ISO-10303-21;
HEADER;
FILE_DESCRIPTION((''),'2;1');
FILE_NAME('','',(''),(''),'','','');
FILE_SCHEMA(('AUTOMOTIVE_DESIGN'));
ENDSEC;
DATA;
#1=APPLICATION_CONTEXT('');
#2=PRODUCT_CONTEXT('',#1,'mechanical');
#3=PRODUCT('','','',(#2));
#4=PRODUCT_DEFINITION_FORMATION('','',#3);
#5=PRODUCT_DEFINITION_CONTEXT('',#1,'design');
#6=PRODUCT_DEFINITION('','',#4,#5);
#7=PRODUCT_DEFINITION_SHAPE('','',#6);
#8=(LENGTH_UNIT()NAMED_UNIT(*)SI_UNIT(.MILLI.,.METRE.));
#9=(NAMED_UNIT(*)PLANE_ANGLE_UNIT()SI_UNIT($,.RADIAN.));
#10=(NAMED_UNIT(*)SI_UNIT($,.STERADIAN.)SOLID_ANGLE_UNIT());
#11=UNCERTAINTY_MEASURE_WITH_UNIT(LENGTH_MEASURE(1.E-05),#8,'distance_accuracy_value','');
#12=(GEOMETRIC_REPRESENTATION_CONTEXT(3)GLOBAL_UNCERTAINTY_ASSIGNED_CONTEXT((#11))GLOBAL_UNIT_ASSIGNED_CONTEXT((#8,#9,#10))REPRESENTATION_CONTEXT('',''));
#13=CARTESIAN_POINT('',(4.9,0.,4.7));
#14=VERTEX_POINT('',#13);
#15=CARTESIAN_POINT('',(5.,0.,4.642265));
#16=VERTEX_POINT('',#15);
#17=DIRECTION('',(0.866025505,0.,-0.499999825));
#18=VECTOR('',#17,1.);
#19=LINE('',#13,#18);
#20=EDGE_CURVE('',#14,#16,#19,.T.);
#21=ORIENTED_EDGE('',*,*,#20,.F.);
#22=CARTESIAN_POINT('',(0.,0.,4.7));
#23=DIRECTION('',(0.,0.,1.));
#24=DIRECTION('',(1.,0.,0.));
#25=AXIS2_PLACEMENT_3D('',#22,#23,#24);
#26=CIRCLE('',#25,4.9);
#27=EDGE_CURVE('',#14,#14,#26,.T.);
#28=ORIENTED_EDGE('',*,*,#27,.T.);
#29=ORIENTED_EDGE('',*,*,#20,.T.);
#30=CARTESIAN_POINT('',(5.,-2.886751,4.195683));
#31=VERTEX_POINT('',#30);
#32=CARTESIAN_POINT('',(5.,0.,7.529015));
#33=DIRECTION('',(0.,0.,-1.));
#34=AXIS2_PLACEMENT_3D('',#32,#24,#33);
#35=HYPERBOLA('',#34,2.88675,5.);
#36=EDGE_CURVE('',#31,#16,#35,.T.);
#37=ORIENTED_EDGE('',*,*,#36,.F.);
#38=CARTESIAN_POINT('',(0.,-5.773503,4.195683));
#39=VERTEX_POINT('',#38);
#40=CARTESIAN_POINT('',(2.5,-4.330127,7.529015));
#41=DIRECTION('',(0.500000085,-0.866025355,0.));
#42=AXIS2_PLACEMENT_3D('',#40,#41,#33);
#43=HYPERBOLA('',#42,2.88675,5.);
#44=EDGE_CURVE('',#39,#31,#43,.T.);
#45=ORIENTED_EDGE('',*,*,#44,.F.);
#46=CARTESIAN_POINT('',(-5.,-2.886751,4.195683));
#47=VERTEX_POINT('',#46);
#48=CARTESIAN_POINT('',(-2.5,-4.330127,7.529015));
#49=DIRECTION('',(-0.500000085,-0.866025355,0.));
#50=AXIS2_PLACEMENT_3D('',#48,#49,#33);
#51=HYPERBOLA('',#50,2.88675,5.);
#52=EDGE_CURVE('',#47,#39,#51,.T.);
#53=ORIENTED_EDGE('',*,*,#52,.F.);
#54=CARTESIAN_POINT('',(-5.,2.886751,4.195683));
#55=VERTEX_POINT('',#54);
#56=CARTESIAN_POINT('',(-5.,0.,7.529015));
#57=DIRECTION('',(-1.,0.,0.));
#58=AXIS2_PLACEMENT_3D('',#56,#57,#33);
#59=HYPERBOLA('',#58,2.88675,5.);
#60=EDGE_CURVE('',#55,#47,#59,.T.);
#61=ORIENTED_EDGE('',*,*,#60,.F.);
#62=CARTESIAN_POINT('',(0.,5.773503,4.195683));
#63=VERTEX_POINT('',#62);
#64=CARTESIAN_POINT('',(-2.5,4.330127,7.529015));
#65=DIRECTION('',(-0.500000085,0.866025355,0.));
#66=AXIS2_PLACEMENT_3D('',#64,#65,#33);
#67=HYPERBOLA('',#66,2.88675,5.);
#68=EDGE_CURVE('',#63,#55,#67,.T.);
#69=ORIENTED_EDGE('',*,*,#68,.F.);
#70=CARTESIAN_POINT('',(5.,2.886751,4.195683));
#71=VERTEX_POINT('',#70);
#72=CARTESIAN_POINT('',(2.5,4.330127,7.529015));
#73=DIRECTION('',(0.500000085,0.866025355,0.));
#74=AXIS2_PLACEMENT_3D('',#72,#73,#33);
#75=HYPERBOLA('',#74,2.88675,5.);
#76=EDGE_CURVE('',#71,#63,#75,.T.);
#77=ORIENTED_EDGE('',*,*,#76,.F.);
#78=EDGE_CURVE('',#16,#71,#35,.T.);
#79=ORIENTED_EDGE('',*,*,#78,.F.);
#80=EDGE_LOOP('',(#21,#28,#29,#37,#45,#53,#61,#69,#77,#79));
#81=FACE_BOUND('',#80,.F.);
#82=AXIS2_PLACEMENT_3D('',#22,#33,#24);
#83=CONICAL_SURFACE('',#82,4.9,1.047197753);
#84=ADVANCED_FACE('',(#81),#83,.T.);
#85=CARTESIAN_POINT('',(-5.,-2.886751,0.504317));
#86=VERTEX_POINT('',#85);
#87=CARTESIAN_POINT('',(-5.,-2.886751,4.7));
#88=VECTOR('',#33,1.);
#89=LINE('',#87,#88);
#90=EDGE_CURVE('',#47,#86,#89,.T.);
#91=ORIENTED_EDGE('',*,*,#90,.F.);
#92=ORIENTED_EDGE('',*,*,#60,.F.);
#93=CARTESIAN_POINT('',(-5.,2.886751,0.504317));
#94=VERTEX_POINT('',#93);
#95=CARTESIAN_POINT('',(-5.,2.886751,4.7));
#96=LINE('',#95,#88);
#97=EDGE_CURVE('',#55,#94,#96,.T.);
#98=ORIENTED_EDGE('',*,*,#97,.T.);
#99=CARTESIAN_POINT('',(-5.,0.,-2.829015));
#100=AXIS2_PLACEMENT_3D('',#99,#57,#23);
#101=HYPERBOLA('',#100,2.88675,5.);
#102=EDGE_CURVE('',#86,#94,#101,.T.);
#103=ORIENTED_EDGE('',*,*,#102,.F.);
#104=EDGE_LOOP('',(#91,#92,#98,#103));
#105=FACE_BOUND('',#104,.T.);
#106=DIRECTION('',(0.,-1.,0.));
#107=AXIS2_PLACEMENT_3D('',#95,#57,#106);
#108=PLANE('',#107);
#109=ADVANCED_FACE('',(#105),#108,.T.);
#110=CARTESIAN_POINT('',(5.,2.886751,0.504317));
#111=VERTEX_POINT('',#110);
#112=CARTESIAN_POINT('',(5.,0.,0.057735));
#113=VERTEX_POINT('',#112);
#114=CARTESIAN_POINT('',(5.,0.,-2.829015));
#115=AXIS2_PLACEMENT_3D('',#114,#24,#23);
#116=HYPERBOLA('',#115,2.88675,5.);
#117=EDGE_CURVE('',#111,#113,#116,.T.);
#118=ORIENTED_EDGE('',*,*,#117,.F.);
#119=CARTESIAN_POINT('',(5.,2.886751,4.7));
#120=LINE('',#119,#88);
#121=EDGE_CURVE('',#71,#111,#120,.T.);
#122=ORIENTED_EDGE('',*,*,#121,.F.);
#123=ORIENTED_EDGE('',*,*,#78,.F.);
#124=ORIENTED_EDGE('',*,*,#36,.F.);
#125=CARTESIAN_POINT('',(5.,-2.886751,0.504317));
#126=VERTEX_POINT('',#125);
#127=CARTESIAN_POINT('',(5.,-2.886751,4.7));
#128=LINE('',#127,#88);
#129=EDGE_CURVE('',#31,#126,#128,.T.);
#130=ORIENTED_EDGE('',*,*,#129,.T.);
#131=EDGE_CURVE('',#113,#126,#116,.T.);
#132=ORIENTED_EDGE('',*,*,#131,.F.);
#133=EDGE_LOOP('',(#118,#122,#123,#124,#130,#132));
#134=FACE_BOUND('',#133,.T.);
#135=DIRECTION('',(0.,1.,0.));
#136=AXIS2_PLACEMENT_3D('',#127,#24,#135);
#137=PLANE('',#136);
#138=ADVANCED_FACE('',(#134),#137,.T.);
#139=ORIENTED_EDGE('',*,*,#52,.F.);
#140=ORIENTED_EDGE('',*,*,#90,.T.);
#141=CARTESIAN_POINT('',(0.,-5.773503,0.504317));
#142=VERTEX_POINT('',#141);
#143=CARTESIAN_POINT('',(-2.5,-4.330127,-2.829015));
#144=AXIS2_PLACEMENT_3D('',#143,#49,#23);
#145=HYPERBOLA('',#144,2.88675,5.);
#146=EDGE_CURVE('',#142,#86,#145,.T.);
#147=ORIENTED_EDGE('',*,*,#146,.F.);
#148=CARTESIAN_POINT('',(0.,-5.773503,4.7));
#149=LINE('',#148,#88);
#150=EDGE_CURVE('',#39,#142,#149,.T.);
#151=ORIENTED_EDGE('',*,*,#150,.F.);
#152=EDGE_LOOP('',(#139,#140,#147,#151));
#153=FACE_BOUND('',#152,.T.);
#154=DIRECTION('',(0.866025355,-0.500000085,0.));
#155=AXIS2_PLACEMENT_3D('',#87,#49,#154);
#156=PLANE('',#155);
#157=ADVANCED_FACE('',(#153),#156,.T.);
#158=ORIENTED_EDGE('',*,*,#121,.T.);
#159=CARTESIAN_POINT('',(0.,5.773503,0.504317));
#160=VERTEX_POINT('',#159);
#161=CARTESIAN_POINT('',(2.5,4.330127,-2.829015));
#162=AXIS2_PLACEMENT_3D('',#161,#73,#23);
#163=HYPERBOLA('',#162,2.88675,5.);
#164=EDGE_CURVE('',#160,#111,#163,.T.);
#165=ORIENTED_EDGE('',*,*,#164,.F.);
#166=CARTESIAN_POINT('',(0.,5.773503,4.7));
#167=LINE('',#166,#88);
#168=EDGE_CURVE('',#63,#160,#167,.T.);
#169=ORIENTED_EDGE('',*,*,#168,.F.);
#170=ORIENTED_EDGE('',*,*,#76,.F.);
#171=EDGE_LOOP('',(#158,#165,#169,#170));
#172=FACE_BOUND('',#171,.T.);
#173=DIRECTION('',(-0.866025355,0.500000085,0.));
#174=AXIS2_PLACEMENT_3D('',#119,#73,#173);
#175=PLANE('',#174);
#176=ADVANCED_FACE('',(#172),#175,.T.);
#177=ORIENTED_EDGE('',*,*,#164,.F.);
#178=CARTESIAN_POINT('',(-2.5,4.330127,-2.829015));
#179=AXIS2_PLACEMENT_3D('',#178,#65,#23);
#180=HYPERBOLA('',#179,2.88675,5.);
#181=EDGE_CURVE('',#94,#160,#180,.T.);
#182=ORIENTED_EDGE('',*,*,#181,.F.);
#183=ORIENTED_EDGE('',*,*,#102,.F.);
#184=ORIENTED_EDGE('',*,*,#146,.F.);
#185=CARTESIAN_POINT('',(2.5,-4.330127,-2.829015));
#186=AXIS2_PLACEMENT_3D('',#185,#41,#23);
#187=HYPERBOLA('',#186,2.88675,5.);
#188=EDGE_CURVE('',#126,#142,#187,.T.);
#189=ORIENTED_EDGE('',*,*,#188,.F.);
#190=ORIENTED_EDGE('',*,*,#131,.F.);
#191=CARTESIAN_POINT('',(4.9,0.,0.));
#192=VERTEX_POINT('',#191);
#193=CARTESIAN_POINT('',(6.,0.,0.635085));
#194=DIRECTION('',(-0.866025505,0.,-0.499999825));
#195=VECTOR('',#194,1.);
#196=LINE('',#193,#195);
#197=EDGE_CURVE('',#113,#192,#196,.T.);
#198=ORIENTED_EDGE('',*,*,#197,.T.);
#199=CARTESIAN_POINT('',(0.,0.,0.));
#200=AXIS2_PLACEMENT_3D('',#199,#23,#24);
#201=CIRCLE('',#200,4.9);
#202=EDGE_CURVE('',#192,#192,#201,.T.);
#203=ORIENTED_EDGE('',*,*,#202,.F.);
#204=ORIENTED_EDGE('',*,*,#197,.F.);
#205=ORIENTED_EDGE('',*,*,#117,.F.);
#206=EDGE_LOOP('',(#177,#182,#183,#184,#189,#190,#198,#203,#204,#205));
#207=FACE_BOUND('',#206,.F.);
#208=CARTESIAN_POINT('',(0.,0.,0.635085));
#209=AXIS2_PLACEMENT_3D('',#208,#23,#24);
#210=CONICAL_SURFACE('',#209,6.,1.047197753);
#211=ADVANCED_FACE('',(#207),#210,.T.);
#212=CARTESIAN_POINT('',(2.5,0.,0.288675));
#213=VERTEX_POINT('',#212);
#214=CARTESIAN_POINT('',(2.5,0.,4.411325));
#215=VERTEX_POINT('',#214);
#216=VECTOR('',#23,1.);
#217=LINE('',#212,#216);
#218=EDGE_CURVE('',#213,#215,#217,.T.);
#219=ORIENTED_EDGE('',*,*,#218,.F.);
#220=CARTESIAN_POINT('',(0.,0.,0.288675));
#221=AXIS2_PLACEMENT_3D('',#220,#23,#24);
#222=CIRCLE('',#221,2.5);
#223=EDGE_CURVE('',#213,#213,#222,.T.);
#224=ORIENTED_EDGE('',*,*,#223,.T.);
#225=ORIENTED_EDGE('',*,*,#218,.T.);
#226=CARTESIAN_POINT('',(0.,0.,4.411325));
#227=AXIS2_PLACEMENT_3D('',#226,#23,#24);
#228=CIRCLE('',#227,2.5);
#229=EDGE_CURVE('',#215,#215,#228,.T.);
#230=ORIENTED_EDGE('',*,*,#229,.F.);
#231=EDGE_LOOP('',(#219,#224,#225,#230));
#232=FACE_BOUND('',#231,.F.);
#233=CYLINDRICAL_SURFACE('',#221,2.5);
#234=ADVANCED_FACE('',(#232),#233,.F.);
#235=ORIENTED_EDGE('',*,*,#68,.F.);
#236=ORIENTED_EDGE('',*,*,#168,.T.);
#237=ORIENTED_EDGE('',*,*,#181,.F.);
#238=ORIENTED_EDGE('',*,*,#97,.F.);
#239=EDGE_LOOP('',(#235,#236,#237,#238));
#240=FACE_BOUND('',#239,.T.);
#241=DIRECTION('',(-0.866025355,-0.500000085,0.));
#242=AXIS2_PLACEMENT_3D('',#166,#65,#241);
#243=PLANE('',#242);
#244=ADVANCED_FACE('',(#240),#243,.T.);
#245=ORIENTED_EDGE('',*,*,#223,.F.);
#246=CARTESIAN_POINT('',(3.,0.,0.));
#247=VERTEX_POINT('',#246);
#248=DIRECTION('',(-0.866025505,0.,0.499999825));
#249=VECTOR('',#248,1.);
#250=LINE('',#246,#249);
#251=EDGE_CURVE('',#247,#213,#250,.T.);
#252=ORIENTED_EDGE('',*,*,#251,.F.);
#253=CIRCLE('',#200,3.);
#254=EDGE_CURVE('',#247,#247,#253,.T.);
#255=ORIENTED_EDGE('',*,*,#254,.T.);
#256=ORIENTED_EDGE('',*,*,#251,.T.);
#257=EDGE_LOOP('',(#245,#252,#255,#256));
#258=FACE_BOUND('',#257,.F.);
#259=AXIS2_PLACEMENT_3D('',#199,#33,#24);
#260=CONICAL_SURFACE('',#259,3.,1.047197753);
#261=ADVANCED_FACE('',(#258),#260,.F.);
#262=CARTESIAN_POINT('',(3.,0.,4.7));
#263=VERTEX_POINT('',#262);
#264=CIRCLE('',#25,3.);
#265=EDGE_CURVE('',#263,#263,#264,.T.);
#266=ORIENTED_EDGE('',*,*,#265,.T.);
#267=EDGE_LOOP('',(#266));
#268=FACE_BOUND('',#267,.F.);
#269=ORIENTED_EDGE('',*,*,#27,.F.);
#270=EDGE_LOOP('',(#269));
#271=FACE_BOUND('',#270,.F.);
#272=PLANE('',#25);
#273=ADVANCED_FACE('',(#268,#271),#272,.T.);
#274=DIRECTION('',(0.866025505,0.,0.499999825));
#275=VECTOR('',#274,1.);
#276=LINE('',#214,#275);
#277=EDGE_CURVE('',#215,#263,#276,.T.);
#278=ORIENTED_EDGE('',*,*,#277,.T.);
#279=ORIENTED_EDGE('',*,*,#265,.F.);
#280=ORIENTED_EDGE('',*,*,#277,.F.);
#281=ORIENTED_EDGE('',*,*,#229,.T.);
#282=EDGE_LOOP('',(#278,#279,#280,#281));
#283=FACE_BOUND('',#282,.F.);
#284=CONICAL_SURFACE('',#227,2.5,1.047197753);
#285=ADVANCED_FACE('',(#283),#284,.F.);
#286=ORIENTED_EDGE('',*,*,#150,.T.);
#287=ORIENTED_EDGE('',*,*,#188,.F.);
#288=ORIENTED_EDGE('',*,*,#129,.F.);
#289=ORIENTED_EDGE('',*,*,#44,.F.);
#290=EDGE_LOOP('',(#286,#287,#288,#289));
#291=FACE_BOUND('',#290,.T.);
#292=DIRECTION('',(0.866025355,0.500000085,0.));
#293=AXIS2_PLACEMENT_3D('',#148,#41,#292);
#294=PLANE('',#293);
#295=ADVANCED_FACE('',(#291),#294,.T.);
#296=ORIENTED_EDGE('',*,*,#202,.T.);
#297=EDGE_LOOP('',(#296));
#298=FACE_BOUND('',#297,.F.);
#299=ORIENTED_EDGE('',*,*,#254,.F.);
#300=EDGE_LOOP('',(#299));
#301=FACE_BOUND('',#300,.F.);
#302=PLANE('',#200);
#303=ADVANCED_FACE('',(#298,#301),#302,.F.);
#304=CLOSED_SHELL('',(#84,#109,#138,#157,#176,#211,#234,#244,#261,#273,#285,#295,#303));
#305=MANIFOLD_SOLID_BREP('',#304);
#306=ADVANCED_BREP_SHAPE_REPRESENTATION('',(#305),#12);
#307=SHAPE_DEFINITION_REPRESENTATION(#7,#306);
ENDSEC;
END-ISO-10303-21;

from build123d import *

# Parameters (mm, degrees)
SKETCH001_R  = 7
POCKET_DEPTH = 4.701


with BuildPart() as part:
    # Sketch → Revolution (revolve)
    with BuildSketch(Plane.XZ):
        Polygon((3, 0), (2.5, 0.288675), (2.5, 4.411325), (3, 4.7), (4.9, 4.7), (6, 4.064915), (6, 0.635085), (4.9, 0), align=None)
    revolve(axis=Axis((0, 0, 0), (0, 0, 1)))

    # Sketch001 → Pocket (cut, through all)
    with BuildSketch(Plane(origin=(0, 0, 4.7), x_dir=(-1, 0, 0), z_dir=(0, 0, 1))):
        with Locations((0.052409, -0.034939)):
            Circle(SKETCH001_R)
        Polygon((5, -2.886751), (5, 2.886751), (0, 5.773503), (-5, 2.886751), (-5, -2.886751), (0, -5.773503), align=None, mode=Mode.SUBTRACT)
    extrude(amount=-POCKET_DEPTH, mode=Mode.SUBTRACT)


solid = part.part
